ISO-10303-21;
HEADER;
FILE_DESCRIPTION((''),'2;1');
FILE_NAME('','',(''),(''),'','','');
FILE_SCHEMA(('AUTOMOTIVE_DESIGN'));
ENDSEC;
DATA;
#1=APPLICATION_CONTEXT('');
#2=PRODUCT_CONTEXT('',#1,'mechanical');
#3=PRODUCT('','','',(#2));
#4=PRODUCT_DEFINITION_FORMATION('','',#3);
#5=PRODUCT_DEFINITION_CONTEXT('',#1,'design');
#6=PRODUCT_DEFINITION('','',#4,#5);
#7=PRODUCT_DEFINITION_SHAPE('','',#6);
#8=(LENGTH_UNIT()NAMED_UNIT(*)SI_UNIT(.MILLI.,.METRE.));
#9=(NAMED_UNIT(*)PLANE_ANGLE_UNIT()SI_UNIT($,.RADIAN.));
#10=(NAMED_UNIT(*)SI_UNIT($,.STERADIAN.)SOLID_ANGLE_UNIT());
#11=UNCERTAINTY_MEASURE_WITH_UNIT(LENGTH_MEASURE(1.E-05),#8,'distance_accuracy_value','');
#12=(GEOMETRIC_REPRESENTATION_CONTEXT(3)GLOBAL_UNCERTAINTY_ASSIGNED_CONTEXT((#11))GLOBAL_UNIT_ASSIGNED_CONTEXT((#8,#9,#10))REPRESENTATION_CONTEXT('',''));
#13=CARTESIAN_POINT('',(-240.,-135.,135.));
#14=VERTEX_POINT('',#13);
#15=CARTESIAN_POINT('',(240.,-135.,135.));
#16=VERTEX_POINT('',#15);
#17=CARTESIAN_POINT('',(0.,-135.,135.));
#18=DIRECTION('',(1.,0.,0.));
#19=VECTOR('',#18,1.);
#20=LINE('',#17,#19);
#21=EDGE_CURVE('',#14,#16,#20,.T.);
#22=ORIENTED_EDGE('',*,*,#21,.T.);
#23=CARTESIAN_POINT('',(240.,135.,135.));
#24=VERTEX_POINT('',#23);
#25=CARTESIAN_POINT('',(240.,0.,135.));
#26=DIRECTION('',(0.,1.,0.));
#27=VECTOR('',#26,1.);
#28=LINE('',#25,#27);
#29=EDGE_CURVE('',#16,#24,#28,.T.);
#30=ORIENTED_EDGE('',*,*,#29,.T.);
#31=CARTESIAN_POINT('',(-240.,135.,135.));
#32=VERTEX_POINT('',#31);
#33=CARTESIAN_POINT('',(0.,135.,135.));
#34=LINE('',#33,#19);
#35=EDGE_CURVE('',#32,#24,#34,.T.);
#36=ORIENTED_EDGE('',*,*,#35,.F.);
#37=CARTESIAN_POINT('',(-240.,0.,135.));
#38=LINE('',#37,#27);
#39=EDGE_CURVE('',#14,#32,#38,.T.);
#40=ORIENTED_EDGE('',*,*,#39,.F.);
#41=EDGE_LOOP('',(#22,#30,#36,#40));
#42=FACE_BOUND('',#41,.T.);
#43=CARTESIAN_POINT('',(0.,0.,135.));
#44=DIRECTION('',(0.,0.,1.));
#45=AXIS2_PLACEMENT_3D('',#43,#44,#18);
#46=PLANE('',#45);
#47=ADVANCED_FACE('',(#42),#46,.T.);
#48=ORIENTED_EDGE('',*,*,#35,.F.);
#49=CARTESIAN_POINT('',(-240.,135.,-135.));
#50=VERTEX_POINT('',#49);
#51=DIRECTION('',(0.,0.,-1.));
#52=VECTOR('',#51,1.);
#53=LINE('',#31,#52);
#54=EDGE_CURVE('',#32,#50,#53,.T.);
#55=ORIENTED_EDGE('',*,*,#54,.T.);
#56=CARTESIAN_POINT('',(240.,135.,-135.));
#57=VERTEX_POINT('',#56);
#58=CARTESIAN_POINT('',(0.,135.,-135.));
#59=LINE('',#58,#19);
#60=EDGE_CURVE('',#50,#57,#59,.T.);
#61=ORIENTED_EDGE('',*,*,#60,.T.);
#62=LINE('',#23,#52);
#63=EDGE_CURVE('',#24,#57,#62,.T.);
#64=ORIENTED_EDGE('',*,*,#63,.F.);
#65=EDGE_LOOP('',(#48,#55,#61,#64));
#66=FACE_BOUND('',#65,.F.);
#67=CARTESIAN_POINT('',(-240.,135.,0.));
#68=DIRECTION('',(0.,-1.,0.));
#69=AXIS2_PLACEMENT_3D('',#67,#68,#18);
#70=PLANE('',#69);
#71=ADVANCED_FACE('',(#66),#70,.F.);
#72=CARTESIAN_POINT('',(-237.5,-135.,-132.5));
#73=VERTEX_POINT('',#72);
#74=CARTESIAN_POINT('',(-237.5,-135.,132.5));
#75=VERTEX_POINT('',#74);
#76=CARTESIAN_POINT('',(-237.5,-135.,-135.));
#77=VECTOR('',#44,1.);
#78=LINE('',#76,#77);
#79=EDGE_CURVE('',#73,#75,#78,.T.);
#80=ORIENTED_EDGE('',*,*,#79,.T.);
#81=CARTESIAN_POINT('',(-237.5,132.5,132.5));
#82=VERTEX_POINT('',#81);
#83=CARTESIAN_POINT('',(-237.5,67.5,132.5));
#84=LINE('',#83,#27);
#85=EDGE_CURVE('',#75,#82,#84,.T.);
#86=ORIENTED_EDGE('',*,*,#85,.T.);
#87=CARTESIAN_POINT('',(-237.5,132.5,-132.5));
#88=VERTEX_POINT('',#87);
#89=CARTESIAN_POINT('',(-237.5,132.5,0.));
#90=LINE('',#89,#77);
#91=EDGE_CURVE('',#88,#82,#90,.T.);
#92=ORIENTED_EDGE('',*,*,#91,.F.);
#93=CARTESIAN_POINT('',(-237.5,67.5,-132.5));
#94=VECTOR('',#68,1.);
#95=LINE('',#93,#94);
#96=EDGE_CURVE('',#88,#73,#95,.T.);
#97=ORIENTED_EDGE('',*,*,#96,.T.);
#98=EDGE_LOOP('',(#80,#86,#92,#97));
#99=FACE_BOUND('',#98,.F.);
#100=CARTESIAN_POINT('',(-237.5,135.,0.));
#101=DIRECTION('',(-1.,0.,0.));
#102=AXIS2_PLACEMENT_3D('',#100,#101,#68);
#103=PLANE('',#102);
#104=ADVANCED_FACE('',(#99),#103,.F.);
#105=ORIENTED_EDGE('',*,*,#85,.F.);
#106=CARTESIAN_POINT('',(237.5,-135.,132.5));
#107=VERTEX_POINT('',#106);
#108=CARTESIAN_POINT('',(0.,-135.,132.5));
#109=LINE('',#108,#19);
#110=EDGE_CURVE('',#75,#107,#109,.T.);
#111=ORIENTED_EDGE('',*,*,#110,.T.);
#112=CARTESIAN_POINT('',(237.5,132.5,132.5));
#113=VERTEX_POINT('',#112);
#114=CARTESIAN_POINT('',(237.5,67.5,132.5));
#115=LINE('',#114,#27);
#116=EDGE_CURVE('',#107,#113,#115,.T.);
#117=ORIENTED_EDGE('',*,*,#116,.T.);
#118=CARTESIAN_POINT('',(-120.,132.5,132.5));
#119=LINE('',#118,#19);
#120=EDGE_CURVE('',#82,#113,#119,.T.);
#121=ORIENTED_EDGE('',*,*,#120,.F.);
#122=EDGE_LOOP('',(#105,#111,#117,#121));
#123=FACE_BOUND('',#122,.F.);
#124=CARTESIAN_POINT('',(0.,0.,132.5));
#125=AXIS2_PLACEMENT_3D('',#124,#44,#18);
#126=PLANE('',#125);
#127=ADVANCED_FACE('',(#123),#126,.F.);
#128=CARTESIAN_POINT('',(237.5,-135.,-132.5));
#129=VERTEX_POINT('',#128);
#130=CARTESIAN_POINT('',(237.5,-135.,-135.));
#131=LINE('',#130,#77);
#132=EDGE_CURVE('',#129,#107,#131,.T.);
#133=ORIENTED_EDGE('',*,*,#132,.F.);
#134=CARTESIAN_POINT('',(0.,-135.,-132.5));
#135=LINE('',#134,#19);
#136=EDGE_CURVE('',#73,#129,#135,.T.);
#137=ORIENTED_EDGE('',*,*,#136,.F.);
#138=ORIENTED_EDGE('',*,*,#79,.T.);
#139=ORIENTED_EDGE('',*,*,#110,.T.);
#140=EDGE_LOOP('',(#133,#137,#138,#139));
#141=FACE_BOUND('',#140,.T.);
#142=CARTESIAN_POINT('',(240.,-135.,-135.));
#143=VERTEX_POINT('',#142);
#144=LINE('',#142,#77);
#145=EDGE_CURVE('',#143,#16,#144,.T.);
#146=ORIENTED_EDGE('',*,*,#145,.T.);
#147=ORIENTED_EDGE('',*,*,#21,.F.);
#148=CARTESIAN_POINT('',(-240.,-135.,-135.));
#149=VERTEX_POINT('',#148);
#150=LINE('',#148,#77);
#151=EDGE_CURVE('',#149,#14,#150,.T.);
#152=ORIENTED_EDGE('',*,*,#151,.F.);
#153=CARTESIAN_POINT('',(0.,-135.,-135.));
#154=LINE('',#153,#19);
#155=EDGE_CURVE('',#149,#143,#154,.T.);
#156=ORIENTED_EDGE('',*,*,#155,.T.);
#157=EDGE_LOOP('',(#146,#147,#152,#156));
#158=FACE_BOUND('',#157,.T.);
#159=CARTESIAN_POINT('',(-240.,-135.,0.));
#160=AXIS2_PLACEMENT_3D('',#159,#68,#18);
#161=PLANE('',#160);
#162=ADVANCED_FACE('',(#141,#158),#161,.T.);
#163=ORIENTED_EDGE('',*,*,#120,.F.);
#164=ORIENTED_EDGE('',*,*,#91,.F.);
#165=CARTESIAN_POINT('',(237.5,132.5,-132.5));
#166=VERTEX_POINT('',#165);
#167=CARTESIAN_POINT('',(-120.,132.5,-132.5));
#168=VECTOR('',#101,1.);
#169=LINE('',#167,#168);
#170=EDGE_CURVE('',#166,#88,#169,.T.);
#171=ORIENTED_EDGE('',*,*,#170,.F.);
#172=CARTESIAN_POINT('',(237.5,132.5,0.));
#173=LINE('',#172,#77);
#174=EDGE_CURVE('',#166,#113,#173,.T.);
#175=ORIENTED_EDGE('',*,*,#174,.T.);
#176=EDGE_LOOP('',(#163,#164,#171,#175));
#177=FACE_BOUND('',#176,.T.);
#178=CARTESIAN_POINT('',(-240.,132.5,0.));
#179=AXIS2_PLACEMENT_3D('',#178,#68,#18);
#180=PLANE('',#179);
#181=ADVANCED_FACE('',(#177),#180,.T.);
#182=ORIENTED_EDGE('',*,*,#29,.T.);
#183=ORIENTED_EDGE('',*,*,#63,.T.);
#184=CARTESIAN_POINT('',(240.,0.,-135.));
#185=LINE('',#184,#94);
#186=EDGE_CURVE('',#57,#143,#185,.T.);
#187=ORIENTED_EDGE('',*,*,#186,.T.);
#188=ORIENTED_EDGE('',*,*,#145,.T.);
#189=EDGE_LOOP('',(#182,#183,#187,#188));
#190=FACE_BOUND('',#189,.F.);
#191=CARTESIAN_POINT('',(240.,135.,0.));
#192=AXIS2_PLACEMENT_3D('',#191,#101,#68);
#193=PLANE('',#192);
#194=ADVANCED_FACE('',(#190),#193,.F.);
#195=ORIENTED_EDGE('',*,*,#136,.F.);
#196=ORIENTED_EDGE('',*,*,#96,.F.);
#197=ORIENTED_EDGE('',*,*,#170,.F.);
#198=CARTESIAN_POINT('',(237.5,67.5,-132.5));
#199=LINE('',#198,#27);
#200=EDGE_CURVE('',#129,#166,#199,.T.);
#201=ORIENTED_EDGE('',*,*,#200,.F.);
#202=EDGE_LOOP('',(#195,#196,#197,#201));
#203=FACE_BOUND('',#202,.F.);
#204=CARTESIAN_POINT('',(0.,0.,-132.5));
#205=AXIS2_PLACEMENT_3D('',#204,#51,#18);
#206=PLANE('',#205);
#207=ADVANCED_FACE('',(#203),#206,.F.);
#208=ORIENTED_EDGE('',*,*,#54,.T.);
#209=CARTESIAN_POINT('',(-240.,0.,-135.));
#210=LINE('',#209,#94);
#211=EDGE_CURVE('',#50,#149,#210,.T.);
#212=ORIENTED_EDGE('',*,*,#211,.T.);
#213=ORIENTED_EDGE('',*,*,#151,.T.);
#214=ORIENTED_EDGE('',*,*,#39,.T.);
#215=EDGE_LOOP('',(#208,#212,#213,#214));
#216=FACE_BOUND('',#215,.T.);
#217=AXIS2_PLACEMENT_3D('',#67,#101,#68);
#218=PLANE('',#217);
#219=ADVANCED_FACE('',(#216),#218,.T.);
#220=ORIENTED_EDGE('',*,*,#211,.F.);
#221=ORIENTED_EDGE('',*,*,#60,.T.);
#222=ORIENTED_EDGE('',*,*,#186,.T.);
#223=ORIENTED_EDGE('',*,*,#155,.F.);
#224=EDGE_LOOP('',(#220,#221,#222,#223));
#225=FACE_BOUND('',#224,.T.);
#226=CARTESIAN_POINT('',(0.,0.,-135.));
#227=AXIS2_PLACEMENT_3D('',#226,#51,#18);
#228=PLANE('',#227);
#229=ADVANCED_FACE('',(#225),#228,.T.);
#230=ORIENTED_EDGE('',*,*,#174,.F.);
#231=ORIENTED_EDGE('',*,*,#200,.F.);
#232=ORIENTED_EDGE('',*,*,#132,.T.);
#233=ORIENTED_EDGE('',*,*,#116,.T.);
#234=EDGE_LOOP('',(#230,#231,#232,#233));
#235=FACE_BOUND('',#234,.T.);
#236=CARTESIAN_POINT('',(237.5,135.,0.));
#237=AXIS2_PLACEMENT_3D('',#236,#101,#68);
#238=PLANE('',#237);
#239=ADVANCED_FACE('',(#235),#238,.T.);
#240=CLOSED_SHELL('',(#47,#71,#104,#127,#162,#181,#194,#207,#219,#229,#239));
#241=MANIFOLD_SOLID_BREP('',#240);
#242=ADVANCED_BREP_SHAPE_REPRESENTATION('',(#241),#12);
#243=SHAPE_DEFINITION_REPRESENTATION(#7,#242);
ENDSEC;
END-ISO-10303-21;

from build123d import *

# Parameters (mm, degrees)
F0_W      = 480
F0_H      = 270
F1_DEPTH  = 135
F1_FACE_W = 480
F1_FACE_H = 270
F2_DEPTH  = 135
F3_T      = -2.5


with BuildPart() as f1:
    # F0 (on Top) → F1 (new body)
    with BuildSketch(Plane.XY):
        Rectangle(F0_W, F0_H)
    extrude(amount=F1_DEPTH)

    # F1_face (on face) → F2 (join)
    with BuildSketch(Plane(origin=(0, 0, 0), x_dir=(1, 0, 0), z_dir=(0, 0, -1))):
        Rectangle(F1_FACE_W, F1_FACE_H)
    extrude(amount=F2_DEPTH)

    # F3
    f3_openings = [f1.faces().sort_by_distance(p)[0] for p in [
        (0, -135, 0),
    ]]
    offset(amount=F3_T, openings=f3_openings)


solid = f1.part
